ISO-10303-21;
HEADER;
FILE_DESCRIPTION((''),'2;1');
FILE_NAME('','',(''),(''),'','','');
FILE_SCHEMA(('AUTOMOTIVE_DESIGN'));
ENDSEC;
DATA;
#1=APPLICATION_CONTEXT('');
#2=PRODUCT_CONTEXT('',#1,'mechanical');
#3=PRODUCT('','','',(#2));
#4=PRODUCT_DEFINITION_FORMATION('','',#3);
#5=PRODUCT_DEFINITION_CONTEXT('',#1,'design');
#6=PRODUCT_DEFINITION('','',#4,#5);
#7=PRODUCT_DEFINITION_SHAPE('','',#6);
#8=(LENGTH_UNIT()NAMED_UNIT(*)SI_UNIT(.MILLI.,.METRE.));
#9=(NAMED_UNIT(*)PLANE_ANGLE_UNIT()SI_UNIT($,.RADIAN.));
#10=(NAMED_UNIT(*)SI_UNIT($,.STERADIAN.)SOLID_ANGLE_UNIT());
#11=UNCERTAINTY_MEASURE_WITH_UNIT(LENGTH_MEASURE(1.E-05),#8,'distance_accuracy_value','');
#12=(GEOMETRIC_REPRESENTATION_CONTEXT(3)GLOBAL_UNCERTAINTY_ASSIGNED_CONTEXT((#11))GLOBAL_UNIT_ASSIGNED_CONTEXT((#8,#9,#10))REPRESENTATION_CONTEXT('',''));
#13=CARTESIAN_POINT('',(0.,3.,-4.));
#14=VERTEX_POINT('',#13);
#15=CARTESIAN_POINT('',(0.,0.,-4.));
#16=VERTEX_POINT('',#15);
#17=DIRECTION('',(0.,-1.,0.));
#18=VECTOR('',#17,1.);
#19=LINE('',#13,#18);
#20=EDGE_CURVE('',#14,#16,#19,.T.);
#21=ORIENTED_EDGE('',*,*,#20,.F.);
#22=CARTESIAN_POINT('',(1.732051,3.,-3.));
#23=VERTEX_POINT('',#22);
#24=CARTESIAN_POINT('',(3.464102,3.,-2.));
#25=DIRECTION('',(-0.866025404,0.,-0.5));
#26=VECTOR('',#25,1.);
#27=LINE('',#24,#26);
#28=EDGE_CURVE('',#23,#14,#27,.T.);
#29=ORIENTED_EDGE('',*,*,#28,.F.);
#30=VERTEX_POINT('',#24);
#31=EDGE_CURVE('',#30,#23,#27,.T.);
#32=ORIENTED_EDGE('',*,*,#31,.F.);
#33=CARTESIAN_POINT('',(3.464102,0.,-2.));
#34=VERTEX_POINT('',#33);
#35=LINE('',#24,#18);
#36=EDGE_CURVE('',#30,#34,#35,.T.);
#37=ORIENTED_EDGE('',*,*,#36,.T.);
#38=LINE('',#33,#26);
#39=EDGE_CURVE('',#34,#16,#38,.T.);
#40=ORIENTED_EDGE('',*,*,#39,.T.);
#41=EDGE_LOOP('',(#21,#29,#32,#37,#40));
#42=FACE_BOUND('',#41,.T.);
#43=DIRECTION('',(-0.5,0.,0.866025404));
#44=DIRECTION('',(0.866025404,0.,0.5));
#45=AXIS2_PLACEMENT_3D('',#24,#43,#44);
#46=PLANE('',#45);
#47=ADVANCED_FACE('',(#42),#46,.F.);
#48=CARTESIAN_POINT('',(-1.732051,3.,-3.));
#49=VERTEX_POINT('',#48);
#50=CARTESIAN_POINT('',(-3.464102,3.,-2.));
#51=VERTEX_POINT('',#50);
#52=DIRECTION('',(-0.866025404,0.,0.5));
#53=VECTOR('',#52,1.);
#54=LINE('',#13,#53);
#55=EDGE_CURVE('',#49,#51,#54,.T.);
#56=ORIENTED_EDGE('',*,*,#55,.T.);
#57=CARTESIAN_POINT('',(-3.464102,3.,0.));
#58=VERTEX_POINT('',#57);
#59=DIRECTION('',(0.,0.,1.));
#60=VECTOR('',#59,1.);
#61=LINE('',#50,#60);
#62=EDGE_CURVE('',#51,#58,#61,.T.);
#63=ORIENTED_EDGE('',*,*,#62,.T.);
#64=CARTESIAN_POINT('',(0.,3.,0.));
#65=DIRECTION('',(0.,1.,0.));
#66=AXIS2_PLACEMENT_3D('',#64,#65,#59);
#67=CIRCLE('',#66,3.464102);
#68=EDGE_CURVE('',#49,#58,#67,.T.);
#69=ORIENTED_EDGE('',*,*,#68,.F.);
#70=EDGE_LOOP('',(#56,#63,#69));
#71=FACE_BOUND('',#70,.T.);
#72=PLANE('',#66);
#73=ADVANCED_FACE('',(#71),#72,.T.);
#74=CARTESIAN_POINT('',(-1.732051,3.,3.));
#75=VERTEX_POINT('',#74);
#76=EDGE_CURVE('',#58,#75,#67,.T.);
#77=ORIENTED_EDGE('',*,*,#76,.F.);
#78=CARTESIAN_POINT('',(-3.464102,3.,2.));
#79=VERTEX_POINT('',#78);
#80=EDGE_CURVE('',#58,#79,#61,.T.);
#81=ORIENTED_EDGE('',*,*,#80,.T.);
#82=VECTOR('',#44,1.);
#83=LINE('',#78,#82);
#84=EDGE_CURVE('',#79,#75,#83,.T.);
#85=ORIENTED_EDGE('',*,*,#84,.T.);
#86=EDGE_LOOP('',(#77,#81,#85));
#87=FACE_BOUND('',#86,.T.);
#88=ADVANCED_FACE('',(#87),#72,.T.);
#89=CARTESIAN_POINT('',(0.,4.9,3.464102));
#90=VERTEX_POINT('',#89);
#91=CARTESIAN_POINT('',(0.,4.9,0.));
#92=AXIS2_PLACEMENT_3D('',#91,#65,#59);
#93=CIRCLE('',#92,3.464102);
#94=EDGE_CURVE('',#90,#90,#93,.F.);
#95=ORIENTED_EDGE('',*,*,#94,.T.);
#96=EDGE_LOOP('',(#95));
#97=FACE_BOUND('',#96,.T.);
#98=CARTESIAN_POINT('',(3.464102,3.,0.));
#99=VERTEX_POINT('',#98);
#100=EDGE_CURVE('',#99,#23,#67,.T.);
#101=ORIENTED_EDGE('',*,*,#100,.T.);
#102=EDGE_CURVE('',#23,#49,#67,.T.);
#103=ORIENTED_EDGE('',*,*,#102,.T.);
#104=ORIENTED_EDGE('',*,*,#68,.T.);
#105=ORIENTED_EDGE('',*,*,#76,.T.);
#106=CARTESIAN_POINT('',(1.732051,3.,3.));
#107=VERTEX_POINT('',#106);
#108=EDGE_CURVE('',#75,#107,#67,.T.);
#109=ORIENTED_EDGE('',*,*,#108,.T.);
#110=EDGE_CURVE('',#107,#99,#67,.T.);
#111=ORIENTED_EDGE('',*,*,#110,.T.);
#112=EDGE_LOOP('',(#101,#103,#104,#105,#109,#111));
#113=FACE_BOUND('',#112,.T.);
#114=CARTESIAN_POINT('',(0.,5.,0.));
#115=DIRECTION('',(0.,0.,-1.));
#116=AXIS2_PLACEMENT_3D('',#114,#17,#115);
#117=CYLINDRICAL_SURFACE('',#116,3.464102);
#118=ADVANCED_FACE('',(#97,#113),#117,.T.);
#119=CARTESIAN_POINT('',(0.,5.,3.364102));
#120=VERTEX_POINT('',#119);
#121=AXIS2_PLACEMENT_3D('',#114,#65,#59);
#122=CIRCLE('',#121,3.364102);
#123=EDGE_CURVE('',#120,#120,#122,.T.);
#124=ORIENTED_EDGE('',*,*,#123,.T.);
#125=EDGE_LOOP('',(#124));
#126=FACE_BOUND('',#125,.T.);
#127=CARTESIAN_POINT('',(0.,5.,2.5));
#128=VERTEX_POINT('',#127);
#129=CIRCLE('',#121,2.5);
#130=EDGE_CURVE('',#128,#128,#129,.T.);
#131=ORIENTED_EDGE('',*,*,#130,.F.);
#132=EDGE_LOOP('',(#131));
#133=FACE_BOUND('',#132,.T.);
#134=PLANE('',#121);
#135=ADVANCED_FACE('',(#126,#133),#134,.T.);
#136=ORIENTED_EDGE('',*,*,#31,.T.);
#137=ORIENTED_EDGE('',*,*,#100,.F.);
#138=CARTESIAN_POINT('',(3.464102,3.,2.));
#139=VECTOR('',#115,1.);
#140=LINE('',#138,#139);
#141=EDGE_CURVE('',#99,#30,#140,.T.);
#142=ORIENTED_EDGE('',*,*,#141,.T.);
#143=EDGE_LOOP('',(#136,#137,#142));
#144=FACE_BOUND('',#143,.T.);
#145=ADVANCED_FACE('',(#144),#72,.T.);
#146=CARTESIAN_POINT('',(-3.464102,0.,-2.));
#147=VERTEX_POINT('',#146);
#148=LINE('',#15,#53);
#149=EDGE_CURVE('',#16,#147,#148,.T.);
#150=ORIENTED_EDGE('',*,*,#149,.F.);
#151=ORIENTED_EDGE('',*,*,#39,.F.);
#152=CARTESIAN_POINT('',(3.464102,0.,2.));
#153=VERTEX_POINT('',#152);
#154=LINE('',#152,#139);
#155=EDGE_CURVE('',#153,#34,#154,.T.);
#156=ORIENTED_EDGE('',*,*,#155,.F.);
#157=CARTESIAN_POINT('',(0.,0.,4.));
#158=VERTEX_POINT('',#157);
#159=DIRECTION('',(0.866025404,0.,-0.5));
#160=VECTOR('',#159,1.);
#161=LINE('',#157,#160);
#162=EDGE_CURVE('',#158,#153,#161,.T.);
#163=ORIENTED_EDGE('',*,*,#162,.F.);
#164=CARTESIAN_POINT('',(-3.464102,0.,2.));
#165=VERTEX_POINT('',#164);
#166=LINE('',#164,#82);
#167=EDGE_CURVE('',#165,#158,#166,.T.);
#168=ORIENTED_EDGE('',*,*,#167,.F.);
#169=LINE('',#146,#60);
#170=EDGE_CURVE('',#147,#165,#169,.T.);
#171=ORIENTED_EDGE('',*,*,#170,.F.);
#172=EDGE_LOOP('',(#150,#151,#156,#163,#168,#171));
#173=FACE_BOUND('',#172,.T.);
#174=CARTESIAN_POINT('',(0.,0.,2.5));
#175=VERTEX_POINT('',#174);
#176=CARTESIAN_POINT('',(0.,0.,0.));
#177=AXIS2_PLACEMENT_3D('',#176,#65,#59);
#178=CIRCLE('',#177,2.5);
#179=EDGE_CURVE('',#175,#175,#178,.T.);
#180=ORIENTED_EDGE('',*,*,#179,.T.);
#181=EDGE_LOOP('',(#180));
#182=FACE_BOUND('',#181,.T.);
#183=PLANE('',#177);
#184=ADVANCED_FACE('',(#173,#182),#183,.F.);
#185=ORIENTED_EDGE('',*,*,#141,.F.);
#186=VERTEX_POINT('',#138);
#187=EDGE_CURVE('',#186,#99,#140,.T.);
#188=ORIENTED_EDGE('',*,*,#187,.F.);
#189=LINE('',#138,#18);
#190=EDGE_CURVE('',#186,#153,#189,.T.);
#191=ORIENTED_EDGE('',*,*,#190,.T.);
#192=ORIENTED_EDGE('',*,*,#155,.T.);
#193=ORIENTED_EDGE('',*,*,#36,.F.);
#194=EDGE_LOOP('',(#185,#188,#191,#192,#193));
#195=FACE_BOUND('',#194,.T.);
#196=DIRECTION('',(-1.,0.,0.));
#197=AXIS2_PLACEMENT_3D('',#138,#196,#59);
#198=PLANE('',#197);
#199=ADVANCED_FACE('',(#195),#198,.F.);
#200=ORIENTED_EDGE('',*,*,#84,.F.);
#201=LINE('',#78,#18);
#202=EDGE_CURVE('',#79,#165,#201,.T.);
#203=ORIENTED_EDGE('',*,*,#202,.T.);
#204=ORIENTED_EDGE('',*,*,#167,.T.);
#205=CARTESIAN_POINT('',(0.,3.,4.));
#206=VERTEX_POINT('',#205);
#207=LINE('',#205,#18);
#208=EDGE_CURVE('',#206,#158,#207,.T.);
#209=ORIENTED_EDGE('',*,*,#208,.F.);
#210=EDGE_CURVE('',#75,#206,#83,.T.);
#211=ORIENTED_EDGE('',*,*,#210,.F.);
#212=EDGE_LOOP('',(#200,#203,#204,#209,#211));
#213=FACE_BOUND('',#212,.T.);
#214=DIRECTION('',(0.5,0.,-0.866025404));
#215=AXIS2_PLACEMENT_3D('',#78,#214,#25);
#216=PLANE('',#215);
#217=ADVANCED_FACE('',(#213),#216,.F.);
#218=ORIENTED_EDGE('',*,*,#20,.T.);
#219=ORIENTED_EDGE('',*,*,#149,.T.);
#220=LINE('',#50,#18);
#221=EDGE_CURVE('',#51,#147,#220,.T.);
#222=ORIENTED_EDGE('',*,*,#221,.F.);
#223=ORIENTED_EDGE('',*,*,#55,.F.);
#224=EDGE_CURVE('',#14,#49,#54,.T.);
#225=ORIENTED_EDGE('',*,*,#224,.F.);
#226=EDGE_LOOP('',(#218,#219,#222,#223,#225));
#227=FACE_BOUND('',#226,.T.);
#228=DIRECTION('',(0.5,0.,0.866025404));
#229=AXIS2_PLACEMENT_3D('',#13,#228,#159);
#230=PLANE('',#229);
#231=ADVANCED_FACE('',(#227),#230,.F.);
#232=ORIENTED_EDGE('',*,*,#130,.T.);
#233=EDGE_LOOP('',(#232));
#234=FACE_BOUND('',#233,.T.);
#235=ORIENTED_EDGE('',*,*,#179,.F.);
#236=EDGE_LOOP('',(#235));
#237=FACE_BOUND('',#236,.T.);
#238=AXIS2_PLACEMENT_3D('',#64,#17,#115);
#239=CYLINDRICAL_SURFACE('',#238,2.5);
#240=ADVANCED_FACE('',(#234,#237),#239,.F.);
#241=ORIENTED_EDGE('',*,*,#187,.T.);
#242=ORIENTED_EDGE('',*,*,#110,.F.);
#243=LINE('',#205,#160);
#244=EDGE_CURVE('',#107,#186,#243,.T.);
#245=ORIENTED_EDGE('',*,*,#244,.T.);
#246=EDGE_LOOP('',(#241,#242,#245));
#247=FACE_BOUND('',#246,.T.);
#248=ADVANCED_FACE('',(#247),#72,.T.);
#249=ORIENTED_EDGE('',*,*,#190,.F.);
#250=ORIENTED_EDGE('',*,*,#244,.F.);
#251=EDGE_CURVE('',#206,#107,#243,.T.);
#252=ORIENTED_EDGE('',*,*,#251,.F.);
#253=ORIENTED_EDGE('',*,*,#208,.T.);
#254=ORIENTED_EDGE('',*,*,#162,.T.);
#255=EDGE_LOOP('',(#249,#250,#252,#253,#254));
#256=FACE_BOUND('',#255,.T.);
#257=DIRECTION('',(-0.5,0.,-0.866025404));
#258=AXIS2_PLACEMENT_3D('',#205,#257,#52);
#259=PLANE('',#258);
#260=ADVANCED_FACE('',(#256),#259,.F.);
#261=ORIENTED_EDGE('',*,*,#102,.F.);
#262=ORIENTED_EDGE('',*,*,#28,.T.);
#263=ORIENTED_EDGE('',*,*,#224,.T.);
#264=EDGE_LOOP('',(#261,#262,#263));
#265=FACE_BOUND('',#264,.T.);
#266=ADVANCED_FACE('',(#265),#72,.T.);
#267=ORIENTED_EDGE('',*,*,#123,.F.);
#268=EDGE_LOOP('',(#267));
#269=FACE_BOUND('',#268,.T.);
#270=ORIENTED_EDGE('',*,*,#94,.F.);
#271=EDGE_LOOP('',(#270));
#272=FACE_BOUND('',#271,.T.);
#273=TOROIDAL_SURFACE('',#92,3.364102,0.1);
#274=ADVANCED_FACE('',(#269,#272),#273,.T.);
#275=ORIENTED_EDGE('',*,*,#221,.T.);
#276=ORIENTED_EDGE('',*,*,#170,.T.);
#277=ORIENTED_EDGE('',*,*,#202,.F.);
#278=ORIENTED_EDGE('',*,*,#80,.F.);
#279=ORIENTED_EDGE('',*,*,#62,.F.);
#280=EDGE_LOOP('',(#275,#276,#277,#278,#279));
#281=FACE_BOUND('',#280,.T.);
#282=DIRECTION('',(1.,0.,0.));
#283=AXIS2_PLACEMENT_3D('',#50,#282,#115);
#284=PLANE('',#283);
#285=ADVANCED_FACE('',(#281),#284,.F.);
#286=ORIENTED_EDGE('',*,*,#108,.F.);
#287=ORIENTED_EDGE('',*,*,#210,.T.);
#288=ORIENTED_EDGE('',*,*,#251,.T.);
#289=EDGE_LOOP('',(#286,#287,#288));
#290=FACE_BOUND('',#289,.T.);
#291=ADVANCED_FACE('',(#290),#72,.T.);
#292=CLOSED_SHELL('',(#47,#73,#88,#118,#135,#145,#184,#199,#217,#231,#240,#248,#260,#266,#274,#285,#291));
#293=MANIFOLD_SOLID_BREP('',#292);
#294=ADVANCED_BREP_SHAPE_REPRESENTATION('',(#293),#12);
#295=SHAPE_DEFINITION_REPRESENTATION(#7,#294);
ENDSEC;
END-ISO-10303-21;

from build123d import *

# Parameters (mm, degrees)
SKETCH1_R           = 2.5
BOSS_EXTRUDE1_DEPTH = 3
SKETCH2_R           = 3.464101615
SKETCH2_R_2         = 2.5
BOSS_EXTRUDE2_DEPTH = 2
FILLET1_R           = 0.1


with BuildPart() as part:
    # Sketch1 → Boss-Extrude1 (new body)
    with BuildSketch(Plane(origin=(0, 0, 0), x_dir=(1, 0, 0), z_dir=(0, 1, 0))):
        Polygon((0, 4), (-3.464101615, 2), (-3.464101615, -2), (0, -4), (3.464101615, -2), (3.464101615, 2), align=None)
        with Locations(Location((0, 0, 0), (0, 0, 270))):
            Circle(SKETCH1_R, mode=Mode.SUBTRACT)
    extrude(amount=BOSS_EXTRUDE1_DEPTH)

    # Sketch2 → Boss-Extrude2 (add)
    with BuildSketch(Plane(origin=(0, 3, 0), x_dir=(1, 0, 0), z_dir=(0, 1, 0))):
        with Locations(Location((0, 0, 0), (0, 0, 60))):
            Circle(SKETCH2_R)
        with Locations(Location((0, 0, 0), (0, 0, 270))):
            Circle(SKETCH2_R_2, mode=Mode.SUBTRACT)
    extrude(amount=BOSS_EXTRUDE2_DEPTH)

    # Fillet1
    fillet1_edges = [part.edges().sort_by_distance(p)[0] for p in [
        (-1.732050808, 5, 3),
    ]]
    fillet(fillet1_edges, radius=FILLET1_R)


solid = part.part
